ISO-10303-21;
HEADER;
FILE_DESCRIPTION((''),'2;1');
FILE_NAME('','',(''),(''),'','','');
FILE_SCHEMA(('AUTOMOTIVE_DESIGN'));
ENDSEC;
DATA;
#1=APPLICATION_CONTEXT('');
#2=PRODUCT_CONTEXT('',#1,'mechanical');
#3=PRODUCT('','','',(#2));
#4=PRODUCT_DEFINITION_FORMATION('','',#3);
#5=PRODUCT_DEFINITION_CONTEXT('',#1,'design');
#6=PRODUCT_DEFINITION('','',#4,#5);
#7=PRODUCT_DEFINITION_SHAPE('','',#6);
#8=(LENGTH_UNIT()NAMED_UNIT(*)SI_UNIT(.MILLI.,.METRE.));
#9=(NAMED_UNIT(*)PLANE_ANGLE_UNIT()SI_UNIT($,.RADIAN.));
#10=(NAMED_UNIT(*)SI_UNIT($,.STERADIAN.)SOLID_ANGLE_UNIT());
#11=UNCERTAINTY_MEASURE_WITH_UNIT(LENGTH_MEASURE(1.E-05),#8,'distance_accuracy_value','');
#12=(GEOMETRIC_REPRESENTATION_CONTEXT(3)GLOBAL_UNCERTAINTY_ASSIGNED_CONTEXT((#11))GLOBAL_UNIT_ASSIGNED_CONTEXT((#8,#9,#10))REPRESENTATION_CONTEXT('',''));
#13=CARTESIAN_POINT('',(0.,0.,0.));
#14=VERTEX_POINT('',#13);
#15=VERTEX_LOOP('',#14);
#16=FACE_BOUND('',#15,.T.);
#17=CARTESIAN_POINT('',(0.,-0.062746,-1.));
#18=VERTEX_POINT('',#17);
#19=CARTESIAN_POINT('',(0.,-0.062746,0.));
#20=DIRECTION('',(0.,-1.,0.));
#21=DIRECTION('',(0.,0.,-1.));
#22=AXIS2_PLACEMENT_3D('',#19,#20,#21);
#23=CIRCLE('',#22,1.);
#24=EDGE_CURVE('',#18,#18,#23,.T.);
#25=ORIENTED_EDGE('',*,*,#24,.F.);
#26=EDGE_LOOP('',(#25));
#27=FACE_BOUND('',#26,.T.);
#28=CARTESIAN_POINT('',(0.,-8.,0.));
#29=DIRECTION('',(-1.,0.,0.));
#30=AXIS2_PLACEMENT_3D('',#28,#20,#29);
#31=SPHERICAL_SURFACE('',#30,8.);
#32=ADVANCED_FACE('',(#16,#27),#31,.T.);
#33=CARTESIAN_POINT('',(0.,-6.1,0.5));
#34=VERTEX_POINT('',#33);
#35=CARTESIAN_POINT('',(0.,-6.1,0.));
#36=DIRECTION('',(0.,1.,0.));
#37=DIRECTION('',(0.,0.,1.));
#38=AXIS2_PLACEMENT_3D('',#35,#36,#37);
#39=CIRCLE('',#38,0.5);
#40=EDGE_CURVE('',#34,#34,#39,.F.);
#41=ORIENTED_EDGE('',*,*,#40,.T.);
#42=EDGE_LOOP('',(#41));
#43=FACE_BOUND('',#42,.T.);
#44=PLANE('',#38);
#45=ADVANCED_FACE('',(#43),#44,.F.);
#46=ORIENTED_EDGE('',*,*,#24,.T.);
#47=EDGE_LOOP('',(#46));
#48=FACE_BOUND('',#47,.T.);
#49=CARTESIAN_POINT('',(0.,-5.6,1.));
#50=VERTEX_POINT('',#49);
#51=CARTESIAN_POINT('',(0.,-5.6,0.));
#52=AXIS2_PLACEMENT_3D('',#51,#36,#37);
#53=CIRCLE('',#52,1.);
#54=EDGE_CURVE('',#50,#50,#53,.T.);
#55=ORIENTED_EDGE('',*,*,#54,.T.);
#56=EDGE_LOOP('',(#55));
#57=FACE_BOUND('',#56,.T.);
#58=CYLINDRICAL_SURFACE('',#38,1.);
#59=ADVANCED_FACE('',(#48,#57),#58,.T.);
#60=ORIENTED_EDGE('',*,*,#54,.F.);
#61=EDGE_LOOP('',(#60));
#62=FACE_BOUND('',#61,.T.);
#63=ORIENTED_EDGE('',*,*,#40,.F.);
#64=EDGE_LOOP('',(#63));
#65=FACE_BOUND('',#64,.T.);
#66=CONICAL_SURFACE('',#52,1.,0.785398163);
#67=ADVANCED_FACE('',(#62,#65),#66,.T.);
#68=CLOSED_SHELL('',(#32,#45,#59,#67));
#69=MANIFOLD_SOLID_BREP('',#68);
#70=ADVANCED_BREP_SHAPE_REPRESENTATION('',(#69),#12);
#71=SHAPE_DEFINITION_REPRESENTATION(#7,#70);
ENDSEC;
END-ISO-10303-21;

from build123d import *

# Parameters (mm, degrees)
SKETCH1_R                 = 1
BOSS_EXTRUDE_6_10MM_DEPTH = 6.1
F_0_5_X_45_DEG_SIZE       = 0.5


with BuildPart() as part:
    # Sketch1 → Boss-Extrude 6.10mm (new body)
    with BuildSketch(Plane(origin=(0, 0, 0), x_dir=(1, 0, 0), z_dir=(0, 1, 0))):
        Circle(SKETCH1_R)
    extrude(amount=-BOSS_EXTRUDE_6_10MM_DEPTH)

    # 0.5 x 45 deg
    f_0_5_x_45_deg_edges = [part.edges().sort_by_distance(p)[0] for p in [
        (-1, -6.1, 0),
    ]]
    chamfer(f_0_5_x_45_deg_edges, length=F_0_5_X_45_DEG_SIZE)

    # Sketch2 → SR8 (revolve, cut)
    with BuildSketch(Plane.XY):
        with BuildLine():
            Line((0, 2), (-2, 2))
            Line((-2, 2), (-2, -0.254033308))
            ThreePointArc((-2, -0.254033308), (-1.00803434, -0.06376243), (0, 0))
            Line((0, 0), (0, 2))
        make_face()
    revolve(axis=Axis((0, 0, 0), (0, 1, 0)), mode=Mode.SUBTRACT)


solid = part.part
